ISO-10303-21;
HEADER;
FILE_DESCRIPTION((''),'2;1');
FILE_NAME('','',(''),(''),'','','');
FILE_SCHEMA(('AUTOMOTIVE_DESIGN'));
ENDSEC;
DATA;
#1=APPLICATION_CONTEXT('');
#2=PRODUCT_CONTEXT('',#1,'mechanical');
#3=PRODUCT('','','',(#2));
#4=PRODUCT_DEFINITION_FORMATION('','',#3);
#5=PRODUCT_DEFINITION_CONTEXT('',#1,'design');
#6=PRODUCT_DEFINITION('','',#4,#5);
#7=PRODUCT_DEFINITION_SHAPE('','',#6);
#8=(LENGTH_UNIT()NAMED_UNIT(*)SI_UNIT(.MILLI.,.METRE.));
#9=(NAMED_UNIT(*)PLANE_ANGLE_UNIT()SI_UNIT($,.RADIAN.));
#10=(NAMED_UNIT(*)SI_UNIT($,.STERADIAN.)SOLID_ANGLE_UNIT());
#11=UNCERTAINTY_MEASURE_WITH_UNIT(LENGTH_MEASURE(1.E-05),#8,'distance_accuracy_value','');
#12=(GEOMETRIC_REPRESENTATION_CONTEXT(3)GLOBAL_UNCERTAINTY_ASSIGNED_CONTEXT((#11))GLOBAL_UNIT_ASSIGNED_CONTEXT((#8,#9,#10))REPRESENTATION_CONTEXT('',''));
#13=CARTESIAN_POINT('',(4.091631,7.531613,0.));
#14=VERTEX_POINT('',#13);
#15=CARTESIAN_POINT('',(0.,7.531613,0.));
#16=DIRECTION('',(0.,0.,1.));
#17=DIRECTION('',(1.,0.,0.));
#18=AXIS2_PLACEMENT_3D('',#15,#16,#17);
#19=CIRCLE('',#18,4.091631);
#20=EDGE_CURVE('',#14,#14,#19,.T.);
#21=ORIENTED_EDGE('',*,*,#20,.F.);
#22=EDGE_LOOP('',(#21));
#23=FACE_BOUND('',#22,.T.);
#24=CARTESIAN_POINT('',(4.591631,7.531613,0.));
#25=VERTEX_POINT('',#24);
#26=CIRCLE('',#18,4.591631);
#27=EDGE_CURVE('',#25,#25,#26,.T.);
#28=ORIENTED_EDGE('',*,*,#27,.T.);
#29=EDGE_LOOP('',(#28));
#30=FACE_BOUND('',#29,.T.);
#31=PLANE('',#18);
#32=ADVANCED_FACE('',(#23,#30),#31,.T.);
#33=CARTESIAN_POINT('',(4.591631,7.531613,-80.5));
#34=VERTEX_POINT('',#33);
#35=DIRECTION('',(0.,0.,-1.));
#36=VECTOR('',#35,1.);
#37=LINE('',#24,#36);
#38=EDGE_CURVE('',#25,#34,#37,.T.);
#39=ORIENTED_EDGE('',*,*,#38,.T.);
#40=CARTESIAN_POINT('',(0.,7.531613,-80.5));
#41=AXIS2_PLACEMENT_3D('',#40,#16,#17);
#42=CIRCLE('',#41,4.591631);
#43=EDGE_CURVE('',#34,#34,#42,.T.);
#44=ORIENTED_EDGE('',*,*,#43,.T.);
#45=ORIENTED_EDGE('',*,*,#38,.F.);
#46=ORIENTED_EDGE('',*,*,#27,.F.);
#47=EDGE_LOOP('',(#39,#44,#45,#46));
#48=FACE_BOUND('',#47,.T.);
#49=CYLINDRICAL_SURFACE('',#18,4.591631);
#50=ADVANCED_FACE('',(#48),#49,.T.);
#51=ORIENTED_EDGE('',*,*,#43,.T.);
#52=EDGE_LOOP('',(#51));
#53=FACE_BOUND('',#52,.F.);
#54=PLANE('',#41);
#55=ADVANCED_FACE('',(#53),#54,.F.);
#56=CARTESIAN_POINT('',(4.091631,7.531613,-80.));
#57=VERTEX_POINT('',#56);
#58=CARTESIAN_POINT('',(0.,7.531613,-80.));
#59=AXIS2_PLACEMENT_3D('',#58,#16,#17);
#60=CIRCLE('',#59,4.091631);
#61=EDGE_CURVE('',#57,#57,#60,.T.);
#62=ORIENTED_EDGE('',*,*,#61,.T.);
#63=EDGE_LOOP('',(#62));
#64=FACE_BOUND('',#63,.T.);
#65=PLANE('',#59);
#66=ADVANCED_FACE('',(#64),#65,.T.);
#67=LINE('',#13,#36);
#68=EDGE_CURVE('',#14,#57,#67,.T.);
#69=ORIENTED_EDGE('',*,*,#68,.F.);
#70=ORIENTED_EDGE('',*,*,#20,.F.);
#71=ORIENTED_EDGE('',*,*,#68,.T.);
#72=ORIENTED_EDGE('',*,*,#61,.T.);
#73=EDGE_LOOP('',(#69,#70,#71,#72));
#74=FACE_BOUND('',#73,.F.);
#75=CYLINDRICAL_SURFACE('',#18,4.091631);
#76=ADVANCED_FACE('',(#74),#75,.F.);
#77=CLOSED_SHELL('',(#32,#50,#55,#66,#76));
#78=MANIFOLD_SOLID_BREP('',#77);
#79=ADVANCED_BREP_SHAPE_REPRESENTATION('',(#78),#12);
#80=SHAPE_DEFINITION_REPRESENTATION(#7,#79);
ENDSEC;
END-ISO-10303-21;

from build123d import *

# Parameters (mm, degrees)
F0_R     = 4.0916314342
F1_DEPTH = 80
F2_T     = 0.5


with BuildPart() as f1:
    # F0 (on Top) → F1 (new body)
    with BuildSketch(Plane.XY):
        with Locations((0, 7.5316131115)):
            Circle(F0_R)
    extrude(amount=-F1_DEPTH)

    # F2
    f2_openings = [f1.faces().sort_by_distance(p)[0] for p in [
        (0, 7.531613, 0),
    ]]
    offset(amount=F2_T, openings=f2_openings, kind=Kind.INTERSECTION)


solid = f1.part
